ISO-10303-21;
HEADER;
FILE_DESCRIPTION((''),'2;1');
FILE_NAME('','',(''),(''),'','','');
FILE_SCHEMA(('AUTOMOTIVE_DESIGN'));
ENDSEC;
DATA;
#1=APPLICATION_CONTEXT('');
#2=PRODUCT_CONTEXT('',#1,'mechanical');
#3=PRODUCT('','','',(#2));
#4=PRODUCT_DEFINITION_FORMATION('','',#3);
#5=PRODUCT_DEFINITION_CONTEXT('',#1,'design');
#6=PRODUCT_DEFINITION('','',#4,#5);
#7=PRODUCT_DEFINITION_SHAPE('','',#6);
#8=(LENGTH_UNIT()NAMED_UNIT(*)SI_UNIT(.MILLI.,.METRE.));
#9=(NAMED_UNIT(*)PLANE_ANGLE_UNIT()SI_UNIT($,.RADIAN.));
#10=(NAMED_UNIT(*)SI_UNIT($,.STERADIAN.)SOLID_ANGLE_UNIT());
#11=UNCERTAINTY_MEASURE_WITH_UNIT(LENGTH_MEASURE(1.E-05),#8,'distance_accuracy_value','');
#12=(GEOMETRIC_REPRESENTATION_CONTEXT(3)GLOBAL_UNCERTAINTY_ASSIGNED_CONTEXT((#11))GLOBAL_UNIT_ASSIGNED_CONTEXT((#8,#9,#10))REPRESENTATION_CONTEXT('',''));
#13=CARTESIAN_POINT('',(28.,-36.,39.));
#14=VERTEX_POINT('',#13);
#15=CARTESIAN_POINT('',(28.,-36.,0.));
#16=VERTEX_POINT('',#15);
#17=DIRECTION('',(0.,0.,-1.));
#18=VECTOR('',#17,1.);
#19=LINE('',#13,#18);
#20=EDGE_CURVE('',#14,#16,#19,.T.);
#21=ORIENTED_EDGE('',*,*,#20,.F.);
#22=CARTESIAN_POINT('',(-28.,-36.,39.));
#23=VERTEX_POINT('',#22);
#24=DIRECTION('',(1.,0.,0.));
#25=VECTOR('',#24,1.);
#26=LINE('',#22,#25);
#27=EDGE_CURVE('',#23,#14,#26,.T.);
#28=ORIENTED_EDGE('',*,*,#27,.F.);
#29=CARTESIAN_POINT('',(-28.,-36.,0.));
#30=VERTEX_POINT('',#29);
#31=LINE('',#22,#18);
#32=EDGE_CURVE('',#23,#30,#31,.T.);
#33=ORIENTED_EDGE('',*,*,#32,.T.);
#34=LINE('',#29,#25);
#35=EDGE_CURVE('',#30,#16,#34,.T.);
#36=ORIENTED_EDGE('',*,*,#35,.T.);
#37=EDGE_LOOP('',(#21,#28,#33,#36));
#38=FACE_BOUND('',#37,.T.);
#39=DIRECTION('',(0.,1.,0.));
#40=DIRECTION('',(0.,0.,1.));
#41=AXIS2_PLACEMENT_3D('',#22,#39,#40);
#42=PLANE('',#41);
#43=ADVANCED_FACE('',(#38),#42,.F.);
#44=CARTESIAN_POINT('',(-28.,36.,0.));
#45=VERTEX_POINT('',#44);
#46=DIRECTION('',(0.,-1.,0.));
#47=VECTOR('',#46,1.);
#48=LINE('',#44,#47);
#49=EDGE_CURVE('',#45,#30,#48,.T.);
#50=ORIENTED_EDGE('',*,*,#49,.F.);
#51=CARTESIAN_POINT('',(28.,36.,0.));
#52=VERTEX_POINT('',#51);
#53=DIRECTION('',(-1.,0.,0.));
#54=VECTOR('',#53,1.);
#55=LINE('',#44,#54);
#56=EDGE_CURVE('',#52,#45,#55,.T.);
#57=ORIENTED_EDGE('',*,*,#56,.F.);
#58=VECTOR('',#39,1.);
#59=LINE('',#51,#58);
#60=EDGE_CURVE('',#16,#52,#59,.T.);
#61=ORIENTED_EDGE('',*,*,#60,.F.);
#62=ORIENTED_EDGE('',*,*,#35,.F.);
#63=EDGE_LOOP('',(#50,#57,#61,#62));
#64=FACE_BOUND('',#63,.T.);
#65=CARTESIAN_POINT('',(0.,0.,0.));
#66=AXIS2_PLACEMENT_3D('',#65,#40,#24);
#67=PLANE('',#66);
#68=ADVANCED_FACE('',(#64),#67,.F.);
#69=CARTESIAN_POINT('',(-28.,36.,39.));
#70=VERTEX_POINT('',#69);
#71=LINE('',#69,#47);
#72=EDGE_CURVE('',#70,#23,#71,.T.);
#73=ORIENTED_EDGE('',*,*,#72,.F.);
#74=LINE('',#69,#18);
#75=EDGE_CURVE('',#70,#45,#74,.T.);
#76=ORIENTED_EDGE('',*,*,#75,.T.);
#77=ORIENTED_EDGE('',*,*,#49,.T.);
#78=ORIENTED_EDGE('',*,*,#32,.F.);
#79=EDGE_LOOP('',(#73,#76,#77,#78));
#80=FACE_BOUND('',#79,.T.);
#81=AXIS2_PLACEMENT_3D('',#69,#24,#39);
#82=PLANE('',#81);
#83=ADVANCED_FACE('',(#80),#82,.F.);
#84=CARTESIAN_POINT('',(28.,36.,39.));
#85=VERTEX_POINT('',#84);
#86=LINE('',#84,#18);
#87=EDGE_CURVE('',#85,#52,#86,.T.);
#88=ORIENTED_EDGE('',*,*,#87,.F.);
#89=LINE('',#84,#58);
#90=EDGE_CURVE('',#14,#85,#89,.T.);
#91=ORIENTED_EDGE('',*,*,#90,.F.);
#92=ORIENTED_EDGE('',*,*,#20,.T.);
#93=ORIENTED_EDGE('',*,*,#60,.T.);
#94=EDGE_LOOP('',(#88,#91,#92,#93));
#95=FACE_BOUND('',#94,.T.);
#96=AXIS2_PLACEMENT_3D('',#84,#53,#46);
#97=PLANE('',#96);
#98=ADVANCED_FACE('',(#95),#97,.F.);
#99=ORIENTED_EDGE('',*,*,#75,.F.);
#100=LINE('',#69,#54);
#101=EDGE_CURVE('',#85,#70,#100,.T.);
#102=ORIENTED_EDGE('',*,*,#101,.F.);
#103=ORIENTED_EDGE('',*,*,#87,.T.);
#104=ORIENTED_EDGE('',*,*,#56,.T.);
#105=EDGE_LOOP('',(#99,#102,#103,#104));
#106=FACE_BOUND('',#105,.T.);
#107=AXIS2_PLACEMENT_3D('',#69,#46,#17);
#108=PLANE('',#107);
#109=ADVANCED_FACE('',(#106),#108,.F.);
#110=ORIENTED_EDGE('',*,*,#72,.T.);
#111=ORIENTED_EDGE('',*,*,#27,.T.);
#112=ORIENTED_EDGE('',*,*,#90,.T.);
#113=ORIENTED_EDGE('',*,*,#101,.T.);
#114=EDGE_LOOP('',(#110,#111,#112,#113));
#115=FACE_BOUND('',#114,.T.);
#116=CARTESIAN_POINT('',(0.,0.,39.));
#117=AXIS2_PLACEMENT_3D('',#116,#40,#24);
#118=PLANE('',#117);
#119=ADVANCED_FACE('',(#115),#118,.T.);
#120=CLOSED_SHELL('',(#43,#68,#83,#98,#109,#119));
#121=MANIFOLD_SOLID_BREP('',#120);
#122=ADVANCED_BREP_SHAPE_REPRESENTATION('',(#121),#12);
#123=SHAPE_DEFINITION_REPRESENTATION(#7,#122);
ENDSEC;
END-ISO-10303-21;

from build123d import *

# Parameters (mm, degrees)
SKETCH_1_W      = 56
SKETCH_1_H      = 72
EXTRUDE_1_DEPTH = 39


with BuildPart() as part:
    # 草图1 → 凸台-拉伸1 (new body)
    with BuildSketch(Plane.XY):
        Rectangle(SKETCH_1_W, SKETCH_1_H)
    extrude(amount=EXTRUDE_1_DEPTH)


solid = part.part
